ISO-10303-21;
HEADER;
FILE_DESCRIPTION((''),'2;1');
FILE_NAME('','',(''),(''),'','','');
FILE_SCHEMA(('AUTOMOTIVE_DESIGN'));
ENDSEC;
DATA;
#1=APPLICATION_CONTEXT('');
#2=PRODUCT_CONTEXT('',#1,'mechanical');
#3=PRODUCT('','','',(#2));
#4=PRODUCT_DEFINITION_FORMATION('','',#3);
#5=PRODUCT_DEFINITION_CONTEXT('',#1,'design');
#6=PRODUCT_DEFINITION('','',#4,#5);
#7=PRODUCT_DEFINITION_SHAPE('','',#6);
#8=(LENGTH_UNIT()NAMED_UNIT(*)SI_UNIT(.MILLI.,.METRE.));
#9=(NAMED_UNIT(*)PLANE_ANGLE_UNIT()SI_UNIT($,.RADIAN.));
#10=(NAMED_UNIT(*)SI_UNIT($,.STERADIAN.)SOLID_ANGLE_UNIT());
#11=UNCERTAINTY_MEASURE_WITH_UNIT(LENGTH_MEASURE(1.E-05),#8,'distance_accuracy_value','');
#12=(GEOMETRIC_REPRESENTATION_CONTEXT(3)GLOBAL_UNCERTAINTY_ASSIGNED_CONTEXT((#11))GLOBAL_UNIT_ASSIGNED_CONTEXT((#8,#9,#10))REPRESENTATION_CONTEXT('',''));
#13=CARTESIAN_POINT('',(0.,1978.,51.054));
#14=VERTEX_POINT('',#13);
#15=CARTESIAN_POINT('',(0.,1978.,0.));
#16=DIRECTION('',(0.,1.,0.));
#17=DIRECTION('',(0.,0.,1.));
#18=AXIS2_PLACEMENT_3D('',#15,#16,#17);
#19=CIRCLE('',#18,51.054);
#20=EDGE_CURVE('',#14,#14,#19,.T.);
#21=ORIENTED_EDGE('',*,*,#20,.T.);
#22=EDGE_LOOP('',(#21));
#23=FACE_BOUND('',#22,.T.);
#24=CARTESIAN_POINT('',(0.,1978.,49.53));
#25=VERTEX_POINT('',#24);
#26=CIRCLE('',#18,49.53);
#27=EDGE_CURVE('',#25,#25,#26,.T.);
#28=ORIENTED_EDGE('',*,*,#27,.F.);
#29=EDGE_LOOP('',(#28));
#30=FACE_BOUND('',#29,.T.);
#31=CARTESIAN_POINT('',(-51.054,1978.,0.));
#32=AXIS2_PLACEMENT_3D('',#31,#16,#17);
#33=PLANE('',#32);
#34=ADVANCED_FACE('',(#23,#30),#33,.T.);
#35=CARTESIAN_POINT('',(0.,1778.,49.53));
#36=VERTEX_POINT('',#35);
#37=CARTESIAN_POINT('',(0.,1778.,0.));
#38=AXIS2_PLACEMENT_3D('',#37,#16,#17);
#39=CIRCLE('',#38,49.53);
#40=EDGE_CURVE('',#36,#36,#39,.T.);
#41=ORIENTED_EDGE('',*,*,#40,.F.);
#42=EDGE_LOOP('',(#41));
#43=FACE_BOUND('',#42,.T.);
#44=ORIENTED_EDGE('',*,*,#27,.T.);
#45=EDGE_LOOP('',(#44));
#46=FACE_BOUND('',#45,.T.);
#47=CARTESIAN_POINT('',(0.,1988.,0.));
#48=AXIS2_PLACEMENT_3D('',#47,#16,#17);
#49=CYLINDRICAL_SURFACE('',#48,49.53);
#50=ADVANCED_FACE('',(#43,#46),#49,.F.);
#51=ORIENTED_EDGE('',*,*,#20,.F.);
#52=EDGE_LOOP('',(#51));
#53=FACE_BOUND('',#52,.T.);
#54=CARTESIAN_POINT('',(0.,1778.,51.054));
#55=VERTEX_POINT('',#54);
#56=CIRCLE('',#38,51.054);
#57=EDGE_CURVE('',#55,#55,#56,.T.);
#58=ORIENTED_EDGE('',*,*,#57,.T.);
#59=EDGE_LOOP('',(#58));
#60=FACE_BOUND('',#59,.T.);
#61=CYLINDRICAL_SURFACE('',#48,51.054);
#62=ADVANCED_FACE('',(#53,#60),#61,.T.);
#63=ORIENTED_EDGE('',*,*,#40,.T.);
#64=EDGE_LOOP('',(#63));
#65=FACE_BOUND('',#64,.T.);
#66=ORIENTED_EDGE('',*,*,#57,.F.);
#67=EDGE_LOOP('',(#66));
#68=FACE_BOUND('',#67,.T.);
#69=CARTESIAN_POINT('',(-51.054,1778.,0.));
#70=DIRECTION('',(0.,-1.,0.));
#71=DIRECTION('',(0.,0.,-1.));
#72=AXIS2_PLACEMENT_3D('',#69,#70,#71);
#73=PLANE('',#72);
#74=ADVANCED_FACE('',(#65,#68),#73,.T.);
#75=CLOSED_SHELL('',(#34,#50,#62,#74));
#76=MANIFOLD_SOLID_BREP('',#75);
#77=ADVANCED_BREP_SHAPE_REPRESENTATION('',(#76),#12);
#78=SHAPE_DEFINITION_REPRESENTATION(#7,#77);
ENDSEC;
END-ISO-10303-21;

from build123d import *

# Parameters (mm, degrees)
SKETCH1_W = 200
SKETCH1_H = 1.524


with BuildPart() as part:
    # Sketch1 → Revolve1 (revolve)
    with BuildSketch(Plane(origin=(0, 0, 0), x_dir=(0, 1, 0), z_dir=(0, 0, 1)), mode=Mode.PRIVATE) as revolve1_sk:
        with Locations((1878, 50.292)):
            Rectangle(SKETCH1_W, SKETCH1_H)
    revolve(revolve1_sk.sketch.rotate(Axis((0, 1988, 0), (0, -1, 0)), 270), axis=Axis((0, 1988, 0), (0, -1, 0)))


solid = part.part
